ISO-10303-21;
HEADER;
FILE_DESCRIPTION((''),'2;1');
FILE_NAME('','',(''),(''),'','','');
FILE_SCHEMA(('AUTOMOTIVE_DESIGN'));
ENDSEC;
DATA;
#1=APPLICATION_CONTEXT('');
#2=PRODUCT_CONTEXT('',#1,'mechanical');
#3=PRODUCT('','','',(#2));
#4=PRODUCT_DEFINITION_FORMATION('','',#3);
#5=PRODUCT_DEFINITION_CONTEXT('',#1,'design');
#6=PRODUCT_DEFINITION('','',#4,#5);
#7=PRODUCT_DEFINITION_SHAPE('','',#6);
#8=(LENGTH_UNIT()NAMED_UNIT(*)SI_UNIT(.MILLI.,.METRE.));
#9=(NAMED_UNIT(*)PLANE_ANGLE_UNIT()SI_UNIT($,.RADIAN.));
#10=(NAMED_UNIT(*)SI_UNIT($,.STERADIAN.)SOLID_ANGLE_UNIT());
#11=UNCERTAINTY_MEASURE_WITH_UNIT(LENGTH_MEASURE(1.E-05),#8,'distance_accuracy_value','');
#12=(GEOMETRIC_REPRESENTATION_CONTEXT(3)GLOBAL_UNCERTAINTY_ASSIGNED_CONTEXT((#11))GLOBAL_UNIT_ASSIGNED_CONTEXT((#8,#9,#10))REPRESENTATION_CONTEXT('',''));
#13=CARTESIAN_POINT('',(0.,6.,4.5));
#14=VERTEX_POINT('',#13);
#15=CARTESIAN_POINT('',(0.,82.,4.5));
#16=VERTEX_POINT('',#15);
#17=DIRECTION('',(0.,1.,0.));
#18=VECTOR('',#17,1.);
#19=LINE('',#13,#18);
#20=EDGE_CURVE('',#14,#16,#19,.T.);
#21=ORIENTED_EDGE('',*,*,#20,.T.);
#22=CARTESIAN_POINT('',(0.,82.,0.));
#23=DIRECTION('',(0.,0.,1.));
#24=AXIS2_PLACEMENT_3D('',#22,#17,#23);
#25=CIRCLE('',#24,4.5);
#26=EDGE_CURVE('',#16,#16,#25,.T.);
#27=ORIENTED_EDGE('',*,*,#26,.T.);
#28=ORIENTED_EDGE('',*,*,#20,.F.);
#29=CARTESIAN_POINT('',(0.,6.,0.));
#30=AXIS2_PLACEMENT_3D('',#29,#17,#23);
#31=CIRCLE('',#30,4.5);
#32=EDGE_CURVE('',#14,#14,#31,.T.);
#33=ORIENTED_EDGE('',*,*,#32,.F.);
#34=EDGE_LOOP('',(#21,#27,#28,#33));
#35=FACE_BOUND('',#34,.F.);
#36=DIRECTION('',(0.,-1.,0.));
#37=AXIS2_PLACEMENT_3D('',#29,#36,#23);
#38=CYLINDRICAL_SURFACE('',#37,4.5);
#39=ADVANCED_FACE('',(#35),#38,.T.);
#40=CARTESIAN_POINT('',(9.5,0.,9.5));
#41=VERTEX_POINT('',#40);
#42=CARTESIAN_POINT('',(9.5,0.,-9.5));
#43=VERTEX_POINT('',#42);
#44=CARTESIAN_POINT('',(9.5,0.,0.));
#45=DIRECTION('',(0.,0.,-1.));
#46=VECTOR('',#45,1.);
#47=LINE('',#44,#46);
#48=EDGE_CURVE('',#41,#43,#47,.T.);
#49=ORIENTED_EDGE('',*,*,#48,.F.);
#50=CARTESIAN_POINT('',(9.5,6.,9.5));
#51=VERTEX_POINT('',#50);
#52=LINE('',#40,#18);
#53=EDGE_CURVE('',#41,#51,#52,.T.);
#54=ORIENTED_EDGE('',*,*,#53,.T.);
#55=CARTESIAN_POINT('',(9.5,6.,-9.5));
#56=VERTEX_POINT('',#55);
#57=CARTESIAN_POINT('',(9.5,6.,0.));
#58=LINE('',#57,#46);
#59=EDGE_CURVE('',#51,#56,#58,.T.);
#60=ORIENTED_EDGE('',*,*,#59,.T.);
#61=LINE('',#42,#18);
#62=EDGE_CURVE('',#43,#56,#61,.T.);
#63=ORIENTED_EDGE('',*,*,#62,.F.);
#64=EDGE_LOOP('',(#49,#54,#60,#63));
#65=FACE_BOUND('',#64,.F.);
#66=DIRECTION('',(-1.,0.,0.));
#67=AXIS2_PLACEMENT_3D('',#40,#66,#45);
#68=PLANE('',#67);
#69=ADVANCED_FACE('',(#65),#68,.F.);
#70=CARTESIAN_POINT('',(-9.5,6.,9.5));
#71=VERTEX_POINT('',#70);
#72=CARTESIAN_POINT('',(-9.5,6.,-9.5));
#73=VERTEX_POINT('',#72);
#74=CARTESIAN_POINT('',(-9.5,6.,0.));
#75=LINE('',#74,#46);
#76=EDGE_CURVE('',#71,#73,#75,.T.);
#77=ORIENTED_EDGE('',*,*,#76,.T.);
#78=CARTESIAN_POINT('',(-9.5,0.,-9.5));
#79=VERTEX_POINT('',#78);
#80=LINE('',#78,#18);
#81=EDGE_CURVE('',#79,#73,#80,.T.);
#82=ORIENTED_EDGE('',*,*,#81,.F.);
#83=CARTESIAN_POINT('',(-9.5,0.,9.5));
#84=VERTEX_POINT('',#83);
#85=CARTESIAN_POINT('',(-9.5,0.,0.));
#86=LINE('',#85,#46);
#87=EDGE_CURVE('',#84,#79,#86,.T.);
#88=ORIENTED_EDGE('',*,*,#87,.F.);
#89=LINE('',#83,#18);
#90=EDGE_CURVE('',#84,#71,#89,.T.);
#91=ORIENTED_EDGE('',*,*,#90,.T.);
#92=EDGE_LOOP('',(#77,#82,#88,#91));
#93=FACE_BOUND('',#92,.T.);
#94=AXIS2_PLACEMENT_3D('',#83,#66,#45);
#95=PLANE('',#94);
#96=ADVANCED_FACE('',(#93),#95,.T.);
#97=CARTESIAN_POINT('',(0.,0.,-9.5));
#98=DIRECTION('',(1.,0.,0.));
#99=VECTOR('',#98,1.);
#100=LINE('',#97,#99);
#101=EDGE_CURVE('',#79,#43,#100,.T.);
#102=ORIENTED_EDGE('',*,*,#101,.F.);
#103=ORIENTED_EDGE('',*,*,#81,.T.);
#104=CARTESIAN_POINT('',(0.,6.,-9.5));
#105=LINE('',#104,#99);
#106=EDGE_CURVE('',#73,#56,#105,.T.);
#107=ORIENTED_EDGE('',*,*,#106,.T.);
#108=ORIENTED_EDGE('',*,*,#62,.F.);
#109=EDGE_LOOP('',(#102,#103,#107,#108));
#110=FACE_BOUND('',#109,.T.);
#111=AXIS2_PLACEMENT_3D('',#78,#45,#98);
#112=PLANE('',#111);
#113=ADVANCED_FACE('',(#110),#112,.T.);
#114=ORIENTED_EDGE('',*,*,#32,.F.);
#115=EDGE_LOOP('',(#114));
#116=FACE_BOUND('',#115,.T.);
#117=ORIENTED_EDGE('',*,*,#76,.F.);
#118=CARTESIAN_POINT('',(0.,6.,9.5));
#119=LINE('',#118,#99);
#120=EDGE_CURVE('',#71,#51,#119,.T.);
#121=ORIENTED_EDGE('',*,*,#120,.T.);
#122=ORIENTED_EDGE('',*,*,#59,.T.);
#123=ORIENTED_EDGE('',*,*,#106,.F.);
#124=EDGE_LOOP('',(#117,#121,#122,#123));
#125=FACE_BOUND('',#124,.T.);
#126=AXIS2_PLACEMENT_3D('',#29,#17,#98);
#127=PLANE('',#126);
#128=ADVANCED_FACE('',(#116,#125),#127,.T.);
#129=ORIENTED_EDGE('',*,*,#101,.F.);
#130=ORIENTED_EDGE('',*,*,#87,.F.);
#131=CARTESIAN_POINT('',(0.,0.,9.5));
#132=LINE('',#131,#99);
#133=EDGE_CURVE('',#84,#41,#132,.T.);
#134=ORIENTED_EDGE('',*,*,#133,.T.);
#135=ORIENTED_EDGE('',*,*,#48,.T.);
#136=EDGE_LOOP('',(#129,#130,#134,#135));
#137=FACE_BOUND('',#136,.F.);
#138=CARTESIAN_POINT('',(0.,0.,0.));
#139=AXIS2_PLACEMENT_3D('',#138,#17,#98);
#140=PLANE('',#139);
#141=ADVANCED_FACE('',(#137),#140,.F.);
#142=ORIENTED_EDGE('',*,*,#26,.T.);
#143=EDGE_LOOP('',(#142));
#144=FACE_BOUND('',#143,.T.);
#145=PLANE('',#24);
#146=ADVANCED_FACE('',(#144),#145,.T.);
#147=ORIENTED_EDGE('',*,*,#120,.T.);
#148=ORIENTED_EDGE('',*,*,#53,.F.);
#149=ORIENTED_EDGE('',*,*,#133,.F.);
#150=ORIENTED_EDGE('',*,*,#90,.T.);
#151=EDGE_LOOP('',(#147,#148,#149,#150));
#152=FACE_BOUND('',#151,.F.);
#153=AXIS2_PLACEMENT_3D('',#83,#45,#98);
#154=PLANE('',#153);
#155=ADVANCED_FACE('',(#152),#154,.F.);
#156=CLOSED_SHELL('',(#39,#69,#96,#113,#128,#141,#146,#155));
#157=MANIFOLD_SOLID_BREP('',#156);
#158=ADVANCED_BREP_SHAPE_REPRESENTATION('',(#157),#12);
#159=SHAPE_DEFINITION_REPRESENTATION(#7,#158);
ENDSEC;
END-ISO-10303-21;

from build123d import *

# Parameters (mm, degrees)
SKETCH1_W           = 19
SKETCH1_H           = 19
BOSS_EXTRUDE1_DEPTH = 6
SKETCH2_R           = 4.5
BOSS_EXTRUDE2_DEPTH = 76


with BuildPart() as part:
    # Sketch1 → Boss-Extrude1 (new body)
    with BuildSketch(Plane(origin=(0, 0, 0), x_dir=(1, 0, 0), z_dir=(0, 1, 0))):
        Rectangle(SKETCH1_W, SKETCH1_H)
    extrude(amount=BOSS_EXTRUDE1_DEPTH)

    # Sketch2 → Boss-Extrude2 (add)
    with BuildSketch(Plane(origin=(0, 6, 0), x_dir=(1, 0, 0), z_dir=(0, 1, 0))):
        with Locations(Location((0, 0, 0), (0, 0, 270))):  # turned: the seam where the file's is
            Circle(SKETCH2_R)
    extrude(amount=BOSS_EXTRUDE2_DEPTH)


solid = part.part
